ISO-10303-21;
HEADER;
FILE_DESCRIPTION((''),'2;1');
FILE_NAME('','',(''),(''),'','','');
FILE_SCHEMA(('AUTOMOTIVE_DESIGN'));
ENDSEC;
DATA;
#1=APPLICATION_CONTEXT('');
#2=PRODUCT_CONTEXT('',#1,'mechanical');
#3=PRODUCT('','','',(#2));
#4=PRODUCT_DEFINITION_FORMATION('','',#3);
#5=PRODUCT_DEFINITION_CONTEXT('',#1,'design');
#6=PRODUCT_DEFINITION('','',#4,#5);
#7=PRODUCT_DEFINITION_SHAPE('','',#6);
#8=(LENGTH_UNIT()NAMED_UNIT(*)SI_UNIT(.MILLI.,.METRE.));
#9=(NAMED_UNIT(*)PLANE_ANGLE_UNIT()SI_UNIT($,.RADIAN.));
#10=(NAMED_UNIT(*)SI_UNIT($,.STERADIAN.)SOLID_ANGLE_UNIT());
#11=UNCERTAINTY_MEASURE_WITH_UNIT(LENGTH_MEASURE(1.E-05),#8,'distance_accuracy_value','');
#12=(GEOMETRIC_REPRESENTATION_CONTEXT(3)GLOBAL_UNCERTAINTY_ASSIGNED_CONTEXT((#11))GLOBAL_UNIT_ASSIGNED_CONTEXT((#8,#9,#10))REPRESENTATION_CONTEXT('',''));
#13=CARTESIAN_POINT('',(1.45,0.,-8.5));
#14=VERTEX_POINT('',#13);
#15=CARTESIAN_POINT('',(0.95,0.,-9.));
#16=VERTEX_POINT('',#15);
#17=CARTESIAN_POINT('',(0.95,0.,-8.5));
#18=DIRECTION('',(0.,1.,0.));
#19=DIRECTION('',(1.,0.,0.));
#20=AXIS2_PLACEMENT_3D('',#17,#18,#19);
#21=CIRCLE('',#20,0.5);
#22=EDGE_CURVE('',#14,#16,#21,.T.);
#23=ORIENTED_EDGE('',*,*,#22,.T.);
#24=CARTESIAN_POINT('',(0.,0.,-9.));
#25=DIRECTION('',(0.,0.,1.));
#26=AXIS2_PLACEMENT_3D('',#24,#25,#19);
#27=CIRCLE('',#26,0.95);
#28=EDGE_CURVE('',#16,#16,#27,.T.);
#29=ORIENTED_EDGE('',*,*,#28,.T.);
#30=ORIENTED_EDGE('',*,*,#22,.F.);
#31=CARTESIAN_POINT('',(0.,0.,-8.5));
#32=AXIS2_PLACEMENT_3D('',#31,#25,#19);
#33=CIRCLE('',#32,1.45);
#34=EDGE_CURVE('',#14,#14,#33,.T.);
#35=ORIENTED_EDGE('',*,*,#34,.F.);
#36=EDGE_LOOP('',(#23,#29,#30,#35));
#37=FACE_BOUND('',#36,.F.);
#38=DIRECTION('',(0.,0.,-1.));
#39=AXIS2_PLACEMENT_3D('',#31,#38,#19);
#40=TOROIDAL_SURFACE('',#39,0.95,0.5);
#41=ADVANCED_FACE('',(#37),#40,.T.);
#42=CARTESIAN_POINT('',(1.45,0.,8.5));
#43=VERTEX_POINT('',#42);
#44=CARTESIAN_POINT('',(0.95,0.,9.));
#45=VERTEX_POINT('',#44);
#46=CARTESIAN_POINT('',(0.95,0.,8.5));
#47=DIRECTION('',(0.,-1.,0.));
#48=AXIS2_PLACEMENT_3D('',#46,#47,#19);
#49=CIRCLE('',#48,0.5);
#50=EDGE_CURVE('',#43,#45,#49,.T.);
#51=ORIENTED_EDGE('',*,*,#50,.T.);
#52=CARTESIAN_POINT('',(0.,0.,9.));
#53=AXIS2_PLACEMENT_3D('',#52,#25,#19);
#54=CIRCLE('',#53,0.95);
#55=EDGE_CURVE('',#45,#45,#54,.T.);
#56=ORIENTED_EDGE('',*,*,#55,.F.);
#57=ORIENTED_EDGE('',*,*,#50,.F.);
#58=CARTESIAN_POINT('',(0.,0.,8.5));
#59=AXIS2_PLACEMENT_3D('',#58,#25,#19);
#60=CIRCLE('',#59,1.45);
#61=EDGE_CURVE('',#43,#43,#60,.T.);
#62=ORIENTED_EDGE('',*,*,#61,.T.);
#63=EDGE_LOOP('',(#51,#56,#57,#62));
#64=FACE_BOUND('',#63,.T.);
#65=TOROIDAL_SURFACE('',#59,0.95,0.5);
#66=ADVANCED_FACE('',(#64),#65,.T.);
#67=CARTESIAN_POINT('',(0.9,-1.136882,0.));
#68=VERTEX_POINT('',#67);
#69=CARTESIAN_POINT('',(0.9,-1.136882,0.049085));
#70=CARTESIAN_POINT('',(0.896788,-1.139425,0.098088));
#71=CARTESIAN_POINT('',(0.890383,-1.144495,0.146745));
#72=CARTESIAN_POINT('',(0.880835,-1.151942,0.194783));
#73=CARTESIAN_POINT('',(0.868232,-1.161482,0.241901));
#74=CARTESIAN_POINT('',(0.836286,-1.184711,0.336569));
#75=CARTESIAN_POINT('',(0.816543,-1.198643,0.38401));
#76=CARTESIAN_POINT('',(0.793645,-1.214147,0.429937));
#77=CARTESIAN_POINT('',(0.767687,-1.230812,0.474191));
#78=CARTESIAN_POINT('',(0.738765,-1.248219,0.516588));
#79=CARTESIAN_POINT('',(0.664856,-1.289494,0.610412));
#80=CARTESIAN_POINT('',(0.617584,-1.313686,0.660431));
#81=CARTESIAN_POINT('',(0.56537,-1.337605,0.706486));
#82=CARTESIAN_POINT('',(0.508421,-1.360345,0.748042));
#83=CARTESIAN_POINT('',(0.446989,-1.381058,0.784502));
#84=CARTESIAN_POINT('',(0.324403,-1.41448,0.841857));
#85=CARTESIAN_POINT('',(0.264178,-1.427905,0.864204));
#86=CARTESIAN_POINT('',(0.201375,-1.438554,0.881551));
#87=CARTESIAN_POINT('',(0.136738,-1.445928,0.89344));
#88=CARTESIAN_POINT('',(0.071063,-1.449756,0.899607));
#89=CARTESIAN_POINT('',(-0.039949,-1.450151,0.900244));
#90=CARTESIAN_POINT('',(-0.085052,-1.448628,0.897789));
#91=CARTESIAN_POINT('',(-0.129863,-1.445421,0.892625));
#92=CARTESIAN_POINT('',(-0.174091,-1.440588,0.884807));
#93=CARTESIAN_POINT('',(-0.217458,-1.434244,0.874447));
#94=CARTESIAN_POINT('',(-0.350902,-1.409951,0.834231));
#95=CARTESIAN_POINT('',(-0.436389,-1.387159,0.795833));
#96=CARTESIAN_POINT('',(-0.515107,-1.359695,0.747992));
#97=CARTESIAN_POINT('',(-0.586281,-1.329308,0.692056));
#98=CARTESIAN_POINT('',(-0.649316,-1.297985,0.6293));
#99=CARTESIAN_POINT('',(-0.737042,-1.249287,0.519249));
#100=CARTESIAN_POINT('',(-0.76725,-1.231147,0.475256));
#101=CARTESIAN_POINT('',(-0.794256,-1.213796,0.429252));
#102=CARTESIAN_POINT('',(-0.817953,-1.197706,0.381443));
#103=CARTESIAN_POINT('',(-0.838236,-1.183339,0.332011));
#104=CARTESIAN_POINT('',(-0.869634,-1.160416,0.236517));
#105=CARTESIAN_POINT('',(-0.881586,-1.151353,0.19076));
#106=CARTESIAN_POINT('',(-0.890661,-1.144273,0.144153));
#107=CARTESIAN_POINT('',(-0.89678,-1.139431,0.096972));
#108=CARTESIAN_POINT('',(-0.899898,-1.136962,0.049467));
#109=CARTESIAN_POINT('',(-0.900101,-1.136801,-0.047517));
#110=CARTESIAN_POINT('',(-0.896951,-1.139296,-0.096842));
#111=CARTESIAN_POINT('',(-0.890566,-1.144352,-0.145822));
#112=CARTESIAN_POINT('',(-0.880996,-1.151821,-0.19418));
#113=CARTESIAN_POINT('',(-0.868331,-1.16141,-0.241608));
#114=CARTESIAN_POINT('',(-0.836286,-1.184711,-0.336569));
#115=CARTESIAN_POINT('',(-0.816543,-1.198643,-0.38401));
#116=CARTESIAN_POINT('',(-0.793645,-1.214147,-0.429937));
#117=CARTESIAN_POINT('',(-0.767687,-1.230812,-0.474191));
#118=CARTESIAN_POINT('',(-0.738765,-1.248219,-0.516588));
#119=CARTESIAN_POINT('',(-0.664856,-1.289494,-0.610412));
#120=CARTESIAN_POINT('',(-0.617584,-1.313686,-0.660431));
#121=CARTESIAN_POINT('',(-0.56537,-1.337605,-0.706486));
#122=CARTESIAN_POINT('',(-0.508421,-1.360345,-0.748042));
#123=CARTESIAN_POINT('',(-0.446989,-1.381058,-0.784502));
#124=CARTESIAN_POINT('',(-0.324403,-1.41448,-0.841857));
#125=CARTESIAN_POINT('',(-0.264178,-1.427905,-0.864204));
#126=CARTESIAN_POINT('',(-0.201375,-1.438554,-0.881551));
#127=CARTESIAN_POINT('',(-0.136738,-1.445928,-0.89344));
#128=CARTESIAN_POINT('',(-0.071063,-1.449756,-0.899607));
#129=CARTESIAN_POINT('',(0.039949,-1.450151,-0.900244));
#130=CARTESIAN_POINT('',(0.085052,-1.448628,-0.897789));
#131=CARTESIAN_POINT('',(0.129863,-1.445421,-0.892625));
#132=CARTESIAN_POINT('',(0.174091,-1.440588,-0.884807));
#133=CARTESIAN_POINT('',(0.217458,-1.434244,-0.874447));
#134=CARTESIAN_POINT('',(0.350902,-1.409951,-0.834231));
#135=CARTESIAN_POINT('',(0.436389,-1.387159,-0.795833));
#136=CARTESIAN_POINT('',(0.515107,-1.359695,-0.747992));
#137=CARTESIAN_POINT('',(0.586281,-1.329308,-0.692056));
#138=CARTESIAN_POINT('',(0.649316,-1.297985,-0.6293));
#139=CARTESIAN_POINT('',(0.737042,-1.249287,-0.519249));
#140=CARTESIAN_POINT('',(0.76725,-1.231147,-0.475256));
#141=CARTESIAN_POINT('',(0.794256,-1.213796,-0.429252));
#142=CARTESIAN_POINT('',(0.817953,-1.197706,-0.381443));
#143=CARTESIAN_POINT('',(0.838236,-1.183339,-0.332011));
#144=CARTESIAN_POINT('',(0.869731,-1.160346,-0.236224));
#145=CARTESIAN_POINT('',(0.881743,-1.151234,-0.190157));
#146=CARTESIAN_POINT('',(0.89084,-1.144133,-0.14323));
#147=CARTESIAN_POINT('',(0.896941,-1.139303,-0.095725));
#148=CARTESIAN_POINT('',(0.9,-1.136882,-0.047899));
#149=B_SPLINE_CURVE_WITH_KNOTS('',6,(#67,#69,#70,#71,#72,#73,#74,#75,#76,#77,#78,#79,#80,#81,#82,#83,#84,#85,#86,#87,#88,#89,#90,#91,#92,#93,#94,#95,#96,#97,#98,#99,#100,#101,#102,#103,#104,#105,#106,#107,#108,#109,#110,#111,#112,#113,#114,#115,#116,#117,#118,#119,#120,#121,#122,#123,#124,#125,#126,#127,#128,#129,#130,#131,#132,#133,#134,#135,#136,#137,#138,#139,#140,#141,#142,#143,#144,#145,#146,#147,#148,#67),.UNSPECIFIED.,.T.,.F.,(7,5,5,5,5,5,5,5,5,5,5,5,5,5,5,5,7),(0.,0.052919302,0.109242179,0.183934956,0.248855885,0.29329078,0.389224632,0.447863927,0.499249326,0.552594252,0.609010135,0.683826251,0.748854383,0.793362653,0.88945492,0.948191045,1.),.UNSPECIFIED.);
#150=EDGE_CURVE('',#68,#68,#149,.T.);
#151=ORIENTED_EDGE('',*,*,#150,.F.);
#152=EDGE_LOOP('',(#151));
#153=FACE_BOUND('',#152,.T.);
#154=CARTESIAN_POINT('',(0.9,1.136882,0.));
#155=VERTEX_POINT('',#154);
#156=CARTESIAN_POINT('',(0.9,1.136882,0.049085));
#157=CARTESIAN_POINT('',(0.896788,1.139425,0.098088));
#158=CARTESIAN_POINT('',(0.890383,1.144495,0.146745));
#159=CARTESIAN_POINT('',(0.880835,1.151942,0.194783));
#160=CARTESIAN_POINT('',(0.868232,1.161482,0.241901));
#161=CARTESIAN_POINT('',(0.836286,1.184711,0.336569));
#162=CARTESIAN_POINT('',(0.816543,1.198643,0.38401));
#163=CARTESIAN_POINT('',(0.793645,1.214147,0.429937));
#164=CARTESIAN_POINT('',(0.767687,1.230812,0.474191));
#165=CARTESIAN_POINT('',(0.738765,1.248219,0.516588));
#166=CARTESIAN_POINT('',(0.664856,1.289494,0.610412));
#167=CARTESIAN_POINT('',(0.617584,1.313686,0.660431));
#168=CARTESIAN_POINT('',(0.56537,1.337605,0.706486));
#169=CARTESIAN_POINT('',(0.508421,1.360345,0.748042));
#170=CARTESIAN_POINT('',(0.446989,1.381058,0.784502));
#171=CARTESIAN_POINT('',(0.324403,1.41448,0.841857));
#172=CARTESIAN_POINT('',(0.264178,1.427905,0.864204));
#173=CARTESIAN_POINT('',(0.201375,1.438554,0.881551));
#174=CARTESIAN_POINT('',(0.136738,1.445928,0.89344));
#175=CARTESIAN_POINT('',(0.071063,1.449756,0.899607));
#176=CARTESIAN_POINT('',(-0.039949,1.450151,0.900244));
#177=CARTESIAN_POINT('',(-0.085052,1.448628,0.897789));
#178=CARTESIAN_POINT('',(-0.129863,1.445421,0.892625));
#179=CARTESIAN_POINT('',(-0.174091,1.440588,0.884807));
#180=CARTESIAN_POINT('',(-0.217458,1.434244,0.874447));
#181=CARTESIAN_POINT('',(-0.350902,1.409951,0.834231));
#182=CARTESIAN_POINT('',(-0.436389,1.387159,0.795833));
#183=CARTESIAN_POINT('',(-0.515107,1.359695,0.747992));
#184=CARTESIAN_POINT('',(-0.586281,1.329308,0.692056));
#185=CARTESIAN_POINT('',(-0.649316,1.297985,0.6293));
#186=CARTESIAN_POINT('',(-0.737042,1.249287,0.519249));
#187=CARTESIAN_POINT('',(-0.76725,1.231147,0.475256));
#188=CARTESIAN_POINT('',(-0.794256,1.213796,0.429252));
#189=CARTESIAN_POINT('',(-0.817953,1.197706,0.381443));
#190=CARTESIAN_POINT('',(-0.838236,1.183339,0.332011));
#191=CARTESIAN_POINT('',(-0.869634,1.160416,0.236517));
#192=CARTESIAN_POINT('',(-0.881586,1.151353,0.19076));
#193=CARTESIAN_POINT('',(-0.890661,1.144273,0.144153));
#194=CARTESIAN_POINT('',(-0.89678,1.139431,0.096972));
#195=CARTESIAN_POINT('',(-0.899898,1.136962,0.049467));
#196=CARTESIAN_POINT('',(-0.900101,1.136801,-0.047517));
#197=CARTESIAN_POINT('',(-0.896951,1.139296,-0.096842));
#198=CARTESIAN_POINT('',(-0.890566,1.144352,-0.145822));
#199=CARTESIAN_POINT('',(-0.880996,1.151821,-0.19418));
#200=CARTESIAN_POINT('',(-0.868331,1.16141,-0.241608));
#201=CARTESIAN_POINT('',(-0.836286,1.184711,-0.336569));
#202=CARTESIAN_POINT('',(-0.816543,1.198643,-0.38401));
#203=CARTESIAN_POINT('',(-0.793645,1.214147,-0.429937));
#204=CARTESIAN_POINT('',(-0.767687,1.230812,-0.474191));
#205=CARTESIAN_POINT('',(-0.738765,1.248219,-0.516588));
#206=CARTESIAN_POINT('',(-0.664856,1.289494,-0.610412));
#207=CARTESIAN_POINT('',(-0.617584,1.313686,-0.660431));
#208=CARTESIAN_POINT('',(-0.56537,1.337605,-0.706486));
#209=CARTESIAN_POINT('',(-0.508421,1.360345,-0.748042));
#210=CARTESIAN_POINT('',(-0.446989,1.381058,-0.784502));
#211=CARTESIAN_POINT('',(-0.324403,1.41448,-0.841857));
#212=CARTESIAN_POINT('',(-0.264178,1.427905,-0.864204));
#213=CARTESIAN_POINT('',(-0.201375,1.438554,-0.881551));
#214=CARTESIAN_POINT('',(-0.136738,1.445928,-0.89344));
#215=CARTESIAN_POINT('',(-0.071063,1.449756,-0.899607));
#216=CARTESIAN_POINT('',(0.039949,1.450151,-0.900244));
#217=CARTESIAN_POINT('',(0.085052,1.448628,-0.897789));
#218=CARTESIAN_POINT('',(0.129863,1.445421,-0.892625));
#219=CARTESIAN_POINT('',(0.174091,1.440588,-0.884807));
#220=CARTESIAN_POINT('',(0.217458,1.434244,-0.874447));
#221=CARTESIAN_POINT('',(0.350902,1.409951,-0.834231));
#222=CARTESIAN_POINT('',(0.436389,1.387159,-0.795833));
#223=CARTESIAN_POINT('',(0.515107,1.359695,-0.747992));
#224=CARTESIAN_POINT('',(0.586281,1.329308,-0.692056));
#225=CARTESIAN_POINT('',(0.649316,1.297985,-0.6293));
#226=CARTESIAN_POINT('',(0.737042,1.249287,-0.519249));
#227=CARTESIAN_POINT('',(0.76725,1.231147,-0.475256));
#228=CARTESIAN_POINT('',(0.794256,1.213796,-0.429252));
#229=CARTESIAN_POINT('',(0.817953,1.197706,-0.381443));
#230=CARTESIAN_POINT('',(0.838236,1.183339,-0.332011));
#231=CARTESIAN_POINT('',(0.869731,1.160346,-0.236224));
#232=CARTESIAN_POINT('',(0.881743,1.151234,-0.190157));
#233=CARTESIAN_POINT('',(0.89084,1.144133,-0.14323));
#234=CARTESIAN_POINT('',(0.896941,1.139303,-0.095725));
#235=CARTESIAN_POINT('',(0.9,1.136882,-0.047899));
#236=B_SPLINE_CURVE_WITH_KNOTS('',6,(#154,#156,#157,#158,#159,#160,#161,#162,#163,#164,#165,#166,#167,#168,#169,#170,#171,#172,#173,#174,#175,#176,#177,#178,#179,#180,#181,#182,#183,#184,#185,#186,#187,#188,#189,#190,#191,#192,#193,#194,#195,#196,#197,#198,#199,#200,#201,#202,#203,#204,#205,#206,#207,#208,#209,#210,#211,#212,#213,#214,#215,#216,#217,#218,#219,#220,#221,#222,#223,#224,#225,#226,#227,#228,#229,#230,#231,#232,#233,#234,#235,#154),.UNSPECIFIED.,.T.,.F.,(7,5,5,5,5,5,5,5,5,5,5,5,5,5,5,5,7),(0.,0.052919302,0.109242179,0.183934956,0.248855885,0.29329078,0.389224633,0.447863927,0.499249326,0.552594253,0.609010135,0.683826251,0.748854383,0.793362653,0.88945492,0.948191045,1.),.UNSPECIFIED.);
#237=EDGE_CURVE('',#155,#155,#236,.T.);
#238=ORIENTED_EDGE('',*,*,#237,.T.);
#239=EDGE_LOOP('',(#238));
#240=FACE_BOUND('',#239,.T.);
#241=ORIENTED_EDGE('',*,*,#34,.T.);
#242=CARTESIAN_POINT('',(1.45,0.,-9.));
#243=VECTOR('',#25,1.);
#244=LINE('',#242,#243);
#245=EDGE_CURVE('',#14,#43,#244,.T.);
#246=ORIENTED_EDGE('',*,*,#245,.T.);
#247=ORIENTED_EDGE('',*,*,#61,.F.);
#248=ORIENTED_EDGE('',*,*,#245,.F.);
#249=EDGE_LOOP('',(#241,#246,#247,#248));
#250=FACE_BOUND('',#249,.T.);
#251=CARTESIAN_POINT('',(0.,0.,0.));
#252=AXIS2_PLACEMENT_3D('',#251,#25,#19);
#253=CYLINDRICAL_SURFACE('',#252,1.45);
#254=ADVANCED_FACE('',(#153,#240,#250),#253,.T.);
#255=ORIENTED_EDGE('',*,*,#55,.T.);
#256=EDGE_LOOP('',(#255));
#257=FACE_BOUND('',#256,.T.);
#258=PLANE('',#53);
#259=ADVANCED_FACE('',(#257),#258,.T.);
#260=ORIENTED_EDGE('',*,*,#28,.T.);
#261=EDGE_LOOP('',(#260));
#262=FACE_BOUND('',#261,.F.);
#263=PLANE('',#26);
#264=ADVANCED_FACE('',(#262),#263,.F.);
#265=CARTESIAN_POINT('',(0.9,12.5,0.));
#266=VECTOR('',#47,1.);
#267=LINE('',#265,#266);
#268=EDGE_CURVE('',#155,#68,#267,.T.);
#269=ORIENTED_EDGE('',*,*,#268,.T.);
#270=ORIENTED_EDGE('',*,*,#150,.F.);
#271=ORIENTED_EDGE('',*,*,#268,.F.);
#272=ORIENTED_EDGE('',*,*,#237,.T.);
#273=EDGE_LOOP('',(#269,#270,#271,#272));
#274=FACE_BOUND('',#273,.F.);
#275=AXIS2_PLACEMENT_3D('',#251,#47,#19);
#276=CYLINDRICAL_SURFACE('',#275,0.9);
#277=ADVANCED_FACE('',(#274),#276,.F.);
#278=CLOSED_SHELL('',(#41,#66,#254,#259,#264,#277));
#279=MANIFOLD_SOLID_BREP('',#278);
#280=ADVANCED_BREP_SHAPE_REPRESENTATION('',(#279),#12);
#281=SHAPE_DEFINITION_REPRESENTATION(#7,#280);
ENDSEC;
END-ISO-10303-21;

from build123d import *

# Parameters (mm, degrees)
F0_R     = 1.45
F1_DEPTH = 9
F2_R     = 0.9
F3_DEPTH = 12.5
F4_R     = 0.5


with BuildPart() as f1:
    # F0 (on Top) → F1 (new body, symmetric)
    with BuildSketch(Plane.XY):
        Circle(F0_R)
    extrude(amount=F1_DEPTH, both=True)

    # F2 (on Front) → F3 (cut, symmetric)
    with BuildSketch(Plane.XZ):
        Circle(F2_R)
    extrude(amount=F3_DEPTH, both=True, mode=Mode.SUBTRACT)

    # F4
    f4_edges = [f1.edges().sort_by_distance(p)[0] for p in [
        (-1.45, 0, 9),
        (-1.45, 0, -9),
    ]]
    fillet(f4_edges, radius=F4_R)


solid = f1.part
